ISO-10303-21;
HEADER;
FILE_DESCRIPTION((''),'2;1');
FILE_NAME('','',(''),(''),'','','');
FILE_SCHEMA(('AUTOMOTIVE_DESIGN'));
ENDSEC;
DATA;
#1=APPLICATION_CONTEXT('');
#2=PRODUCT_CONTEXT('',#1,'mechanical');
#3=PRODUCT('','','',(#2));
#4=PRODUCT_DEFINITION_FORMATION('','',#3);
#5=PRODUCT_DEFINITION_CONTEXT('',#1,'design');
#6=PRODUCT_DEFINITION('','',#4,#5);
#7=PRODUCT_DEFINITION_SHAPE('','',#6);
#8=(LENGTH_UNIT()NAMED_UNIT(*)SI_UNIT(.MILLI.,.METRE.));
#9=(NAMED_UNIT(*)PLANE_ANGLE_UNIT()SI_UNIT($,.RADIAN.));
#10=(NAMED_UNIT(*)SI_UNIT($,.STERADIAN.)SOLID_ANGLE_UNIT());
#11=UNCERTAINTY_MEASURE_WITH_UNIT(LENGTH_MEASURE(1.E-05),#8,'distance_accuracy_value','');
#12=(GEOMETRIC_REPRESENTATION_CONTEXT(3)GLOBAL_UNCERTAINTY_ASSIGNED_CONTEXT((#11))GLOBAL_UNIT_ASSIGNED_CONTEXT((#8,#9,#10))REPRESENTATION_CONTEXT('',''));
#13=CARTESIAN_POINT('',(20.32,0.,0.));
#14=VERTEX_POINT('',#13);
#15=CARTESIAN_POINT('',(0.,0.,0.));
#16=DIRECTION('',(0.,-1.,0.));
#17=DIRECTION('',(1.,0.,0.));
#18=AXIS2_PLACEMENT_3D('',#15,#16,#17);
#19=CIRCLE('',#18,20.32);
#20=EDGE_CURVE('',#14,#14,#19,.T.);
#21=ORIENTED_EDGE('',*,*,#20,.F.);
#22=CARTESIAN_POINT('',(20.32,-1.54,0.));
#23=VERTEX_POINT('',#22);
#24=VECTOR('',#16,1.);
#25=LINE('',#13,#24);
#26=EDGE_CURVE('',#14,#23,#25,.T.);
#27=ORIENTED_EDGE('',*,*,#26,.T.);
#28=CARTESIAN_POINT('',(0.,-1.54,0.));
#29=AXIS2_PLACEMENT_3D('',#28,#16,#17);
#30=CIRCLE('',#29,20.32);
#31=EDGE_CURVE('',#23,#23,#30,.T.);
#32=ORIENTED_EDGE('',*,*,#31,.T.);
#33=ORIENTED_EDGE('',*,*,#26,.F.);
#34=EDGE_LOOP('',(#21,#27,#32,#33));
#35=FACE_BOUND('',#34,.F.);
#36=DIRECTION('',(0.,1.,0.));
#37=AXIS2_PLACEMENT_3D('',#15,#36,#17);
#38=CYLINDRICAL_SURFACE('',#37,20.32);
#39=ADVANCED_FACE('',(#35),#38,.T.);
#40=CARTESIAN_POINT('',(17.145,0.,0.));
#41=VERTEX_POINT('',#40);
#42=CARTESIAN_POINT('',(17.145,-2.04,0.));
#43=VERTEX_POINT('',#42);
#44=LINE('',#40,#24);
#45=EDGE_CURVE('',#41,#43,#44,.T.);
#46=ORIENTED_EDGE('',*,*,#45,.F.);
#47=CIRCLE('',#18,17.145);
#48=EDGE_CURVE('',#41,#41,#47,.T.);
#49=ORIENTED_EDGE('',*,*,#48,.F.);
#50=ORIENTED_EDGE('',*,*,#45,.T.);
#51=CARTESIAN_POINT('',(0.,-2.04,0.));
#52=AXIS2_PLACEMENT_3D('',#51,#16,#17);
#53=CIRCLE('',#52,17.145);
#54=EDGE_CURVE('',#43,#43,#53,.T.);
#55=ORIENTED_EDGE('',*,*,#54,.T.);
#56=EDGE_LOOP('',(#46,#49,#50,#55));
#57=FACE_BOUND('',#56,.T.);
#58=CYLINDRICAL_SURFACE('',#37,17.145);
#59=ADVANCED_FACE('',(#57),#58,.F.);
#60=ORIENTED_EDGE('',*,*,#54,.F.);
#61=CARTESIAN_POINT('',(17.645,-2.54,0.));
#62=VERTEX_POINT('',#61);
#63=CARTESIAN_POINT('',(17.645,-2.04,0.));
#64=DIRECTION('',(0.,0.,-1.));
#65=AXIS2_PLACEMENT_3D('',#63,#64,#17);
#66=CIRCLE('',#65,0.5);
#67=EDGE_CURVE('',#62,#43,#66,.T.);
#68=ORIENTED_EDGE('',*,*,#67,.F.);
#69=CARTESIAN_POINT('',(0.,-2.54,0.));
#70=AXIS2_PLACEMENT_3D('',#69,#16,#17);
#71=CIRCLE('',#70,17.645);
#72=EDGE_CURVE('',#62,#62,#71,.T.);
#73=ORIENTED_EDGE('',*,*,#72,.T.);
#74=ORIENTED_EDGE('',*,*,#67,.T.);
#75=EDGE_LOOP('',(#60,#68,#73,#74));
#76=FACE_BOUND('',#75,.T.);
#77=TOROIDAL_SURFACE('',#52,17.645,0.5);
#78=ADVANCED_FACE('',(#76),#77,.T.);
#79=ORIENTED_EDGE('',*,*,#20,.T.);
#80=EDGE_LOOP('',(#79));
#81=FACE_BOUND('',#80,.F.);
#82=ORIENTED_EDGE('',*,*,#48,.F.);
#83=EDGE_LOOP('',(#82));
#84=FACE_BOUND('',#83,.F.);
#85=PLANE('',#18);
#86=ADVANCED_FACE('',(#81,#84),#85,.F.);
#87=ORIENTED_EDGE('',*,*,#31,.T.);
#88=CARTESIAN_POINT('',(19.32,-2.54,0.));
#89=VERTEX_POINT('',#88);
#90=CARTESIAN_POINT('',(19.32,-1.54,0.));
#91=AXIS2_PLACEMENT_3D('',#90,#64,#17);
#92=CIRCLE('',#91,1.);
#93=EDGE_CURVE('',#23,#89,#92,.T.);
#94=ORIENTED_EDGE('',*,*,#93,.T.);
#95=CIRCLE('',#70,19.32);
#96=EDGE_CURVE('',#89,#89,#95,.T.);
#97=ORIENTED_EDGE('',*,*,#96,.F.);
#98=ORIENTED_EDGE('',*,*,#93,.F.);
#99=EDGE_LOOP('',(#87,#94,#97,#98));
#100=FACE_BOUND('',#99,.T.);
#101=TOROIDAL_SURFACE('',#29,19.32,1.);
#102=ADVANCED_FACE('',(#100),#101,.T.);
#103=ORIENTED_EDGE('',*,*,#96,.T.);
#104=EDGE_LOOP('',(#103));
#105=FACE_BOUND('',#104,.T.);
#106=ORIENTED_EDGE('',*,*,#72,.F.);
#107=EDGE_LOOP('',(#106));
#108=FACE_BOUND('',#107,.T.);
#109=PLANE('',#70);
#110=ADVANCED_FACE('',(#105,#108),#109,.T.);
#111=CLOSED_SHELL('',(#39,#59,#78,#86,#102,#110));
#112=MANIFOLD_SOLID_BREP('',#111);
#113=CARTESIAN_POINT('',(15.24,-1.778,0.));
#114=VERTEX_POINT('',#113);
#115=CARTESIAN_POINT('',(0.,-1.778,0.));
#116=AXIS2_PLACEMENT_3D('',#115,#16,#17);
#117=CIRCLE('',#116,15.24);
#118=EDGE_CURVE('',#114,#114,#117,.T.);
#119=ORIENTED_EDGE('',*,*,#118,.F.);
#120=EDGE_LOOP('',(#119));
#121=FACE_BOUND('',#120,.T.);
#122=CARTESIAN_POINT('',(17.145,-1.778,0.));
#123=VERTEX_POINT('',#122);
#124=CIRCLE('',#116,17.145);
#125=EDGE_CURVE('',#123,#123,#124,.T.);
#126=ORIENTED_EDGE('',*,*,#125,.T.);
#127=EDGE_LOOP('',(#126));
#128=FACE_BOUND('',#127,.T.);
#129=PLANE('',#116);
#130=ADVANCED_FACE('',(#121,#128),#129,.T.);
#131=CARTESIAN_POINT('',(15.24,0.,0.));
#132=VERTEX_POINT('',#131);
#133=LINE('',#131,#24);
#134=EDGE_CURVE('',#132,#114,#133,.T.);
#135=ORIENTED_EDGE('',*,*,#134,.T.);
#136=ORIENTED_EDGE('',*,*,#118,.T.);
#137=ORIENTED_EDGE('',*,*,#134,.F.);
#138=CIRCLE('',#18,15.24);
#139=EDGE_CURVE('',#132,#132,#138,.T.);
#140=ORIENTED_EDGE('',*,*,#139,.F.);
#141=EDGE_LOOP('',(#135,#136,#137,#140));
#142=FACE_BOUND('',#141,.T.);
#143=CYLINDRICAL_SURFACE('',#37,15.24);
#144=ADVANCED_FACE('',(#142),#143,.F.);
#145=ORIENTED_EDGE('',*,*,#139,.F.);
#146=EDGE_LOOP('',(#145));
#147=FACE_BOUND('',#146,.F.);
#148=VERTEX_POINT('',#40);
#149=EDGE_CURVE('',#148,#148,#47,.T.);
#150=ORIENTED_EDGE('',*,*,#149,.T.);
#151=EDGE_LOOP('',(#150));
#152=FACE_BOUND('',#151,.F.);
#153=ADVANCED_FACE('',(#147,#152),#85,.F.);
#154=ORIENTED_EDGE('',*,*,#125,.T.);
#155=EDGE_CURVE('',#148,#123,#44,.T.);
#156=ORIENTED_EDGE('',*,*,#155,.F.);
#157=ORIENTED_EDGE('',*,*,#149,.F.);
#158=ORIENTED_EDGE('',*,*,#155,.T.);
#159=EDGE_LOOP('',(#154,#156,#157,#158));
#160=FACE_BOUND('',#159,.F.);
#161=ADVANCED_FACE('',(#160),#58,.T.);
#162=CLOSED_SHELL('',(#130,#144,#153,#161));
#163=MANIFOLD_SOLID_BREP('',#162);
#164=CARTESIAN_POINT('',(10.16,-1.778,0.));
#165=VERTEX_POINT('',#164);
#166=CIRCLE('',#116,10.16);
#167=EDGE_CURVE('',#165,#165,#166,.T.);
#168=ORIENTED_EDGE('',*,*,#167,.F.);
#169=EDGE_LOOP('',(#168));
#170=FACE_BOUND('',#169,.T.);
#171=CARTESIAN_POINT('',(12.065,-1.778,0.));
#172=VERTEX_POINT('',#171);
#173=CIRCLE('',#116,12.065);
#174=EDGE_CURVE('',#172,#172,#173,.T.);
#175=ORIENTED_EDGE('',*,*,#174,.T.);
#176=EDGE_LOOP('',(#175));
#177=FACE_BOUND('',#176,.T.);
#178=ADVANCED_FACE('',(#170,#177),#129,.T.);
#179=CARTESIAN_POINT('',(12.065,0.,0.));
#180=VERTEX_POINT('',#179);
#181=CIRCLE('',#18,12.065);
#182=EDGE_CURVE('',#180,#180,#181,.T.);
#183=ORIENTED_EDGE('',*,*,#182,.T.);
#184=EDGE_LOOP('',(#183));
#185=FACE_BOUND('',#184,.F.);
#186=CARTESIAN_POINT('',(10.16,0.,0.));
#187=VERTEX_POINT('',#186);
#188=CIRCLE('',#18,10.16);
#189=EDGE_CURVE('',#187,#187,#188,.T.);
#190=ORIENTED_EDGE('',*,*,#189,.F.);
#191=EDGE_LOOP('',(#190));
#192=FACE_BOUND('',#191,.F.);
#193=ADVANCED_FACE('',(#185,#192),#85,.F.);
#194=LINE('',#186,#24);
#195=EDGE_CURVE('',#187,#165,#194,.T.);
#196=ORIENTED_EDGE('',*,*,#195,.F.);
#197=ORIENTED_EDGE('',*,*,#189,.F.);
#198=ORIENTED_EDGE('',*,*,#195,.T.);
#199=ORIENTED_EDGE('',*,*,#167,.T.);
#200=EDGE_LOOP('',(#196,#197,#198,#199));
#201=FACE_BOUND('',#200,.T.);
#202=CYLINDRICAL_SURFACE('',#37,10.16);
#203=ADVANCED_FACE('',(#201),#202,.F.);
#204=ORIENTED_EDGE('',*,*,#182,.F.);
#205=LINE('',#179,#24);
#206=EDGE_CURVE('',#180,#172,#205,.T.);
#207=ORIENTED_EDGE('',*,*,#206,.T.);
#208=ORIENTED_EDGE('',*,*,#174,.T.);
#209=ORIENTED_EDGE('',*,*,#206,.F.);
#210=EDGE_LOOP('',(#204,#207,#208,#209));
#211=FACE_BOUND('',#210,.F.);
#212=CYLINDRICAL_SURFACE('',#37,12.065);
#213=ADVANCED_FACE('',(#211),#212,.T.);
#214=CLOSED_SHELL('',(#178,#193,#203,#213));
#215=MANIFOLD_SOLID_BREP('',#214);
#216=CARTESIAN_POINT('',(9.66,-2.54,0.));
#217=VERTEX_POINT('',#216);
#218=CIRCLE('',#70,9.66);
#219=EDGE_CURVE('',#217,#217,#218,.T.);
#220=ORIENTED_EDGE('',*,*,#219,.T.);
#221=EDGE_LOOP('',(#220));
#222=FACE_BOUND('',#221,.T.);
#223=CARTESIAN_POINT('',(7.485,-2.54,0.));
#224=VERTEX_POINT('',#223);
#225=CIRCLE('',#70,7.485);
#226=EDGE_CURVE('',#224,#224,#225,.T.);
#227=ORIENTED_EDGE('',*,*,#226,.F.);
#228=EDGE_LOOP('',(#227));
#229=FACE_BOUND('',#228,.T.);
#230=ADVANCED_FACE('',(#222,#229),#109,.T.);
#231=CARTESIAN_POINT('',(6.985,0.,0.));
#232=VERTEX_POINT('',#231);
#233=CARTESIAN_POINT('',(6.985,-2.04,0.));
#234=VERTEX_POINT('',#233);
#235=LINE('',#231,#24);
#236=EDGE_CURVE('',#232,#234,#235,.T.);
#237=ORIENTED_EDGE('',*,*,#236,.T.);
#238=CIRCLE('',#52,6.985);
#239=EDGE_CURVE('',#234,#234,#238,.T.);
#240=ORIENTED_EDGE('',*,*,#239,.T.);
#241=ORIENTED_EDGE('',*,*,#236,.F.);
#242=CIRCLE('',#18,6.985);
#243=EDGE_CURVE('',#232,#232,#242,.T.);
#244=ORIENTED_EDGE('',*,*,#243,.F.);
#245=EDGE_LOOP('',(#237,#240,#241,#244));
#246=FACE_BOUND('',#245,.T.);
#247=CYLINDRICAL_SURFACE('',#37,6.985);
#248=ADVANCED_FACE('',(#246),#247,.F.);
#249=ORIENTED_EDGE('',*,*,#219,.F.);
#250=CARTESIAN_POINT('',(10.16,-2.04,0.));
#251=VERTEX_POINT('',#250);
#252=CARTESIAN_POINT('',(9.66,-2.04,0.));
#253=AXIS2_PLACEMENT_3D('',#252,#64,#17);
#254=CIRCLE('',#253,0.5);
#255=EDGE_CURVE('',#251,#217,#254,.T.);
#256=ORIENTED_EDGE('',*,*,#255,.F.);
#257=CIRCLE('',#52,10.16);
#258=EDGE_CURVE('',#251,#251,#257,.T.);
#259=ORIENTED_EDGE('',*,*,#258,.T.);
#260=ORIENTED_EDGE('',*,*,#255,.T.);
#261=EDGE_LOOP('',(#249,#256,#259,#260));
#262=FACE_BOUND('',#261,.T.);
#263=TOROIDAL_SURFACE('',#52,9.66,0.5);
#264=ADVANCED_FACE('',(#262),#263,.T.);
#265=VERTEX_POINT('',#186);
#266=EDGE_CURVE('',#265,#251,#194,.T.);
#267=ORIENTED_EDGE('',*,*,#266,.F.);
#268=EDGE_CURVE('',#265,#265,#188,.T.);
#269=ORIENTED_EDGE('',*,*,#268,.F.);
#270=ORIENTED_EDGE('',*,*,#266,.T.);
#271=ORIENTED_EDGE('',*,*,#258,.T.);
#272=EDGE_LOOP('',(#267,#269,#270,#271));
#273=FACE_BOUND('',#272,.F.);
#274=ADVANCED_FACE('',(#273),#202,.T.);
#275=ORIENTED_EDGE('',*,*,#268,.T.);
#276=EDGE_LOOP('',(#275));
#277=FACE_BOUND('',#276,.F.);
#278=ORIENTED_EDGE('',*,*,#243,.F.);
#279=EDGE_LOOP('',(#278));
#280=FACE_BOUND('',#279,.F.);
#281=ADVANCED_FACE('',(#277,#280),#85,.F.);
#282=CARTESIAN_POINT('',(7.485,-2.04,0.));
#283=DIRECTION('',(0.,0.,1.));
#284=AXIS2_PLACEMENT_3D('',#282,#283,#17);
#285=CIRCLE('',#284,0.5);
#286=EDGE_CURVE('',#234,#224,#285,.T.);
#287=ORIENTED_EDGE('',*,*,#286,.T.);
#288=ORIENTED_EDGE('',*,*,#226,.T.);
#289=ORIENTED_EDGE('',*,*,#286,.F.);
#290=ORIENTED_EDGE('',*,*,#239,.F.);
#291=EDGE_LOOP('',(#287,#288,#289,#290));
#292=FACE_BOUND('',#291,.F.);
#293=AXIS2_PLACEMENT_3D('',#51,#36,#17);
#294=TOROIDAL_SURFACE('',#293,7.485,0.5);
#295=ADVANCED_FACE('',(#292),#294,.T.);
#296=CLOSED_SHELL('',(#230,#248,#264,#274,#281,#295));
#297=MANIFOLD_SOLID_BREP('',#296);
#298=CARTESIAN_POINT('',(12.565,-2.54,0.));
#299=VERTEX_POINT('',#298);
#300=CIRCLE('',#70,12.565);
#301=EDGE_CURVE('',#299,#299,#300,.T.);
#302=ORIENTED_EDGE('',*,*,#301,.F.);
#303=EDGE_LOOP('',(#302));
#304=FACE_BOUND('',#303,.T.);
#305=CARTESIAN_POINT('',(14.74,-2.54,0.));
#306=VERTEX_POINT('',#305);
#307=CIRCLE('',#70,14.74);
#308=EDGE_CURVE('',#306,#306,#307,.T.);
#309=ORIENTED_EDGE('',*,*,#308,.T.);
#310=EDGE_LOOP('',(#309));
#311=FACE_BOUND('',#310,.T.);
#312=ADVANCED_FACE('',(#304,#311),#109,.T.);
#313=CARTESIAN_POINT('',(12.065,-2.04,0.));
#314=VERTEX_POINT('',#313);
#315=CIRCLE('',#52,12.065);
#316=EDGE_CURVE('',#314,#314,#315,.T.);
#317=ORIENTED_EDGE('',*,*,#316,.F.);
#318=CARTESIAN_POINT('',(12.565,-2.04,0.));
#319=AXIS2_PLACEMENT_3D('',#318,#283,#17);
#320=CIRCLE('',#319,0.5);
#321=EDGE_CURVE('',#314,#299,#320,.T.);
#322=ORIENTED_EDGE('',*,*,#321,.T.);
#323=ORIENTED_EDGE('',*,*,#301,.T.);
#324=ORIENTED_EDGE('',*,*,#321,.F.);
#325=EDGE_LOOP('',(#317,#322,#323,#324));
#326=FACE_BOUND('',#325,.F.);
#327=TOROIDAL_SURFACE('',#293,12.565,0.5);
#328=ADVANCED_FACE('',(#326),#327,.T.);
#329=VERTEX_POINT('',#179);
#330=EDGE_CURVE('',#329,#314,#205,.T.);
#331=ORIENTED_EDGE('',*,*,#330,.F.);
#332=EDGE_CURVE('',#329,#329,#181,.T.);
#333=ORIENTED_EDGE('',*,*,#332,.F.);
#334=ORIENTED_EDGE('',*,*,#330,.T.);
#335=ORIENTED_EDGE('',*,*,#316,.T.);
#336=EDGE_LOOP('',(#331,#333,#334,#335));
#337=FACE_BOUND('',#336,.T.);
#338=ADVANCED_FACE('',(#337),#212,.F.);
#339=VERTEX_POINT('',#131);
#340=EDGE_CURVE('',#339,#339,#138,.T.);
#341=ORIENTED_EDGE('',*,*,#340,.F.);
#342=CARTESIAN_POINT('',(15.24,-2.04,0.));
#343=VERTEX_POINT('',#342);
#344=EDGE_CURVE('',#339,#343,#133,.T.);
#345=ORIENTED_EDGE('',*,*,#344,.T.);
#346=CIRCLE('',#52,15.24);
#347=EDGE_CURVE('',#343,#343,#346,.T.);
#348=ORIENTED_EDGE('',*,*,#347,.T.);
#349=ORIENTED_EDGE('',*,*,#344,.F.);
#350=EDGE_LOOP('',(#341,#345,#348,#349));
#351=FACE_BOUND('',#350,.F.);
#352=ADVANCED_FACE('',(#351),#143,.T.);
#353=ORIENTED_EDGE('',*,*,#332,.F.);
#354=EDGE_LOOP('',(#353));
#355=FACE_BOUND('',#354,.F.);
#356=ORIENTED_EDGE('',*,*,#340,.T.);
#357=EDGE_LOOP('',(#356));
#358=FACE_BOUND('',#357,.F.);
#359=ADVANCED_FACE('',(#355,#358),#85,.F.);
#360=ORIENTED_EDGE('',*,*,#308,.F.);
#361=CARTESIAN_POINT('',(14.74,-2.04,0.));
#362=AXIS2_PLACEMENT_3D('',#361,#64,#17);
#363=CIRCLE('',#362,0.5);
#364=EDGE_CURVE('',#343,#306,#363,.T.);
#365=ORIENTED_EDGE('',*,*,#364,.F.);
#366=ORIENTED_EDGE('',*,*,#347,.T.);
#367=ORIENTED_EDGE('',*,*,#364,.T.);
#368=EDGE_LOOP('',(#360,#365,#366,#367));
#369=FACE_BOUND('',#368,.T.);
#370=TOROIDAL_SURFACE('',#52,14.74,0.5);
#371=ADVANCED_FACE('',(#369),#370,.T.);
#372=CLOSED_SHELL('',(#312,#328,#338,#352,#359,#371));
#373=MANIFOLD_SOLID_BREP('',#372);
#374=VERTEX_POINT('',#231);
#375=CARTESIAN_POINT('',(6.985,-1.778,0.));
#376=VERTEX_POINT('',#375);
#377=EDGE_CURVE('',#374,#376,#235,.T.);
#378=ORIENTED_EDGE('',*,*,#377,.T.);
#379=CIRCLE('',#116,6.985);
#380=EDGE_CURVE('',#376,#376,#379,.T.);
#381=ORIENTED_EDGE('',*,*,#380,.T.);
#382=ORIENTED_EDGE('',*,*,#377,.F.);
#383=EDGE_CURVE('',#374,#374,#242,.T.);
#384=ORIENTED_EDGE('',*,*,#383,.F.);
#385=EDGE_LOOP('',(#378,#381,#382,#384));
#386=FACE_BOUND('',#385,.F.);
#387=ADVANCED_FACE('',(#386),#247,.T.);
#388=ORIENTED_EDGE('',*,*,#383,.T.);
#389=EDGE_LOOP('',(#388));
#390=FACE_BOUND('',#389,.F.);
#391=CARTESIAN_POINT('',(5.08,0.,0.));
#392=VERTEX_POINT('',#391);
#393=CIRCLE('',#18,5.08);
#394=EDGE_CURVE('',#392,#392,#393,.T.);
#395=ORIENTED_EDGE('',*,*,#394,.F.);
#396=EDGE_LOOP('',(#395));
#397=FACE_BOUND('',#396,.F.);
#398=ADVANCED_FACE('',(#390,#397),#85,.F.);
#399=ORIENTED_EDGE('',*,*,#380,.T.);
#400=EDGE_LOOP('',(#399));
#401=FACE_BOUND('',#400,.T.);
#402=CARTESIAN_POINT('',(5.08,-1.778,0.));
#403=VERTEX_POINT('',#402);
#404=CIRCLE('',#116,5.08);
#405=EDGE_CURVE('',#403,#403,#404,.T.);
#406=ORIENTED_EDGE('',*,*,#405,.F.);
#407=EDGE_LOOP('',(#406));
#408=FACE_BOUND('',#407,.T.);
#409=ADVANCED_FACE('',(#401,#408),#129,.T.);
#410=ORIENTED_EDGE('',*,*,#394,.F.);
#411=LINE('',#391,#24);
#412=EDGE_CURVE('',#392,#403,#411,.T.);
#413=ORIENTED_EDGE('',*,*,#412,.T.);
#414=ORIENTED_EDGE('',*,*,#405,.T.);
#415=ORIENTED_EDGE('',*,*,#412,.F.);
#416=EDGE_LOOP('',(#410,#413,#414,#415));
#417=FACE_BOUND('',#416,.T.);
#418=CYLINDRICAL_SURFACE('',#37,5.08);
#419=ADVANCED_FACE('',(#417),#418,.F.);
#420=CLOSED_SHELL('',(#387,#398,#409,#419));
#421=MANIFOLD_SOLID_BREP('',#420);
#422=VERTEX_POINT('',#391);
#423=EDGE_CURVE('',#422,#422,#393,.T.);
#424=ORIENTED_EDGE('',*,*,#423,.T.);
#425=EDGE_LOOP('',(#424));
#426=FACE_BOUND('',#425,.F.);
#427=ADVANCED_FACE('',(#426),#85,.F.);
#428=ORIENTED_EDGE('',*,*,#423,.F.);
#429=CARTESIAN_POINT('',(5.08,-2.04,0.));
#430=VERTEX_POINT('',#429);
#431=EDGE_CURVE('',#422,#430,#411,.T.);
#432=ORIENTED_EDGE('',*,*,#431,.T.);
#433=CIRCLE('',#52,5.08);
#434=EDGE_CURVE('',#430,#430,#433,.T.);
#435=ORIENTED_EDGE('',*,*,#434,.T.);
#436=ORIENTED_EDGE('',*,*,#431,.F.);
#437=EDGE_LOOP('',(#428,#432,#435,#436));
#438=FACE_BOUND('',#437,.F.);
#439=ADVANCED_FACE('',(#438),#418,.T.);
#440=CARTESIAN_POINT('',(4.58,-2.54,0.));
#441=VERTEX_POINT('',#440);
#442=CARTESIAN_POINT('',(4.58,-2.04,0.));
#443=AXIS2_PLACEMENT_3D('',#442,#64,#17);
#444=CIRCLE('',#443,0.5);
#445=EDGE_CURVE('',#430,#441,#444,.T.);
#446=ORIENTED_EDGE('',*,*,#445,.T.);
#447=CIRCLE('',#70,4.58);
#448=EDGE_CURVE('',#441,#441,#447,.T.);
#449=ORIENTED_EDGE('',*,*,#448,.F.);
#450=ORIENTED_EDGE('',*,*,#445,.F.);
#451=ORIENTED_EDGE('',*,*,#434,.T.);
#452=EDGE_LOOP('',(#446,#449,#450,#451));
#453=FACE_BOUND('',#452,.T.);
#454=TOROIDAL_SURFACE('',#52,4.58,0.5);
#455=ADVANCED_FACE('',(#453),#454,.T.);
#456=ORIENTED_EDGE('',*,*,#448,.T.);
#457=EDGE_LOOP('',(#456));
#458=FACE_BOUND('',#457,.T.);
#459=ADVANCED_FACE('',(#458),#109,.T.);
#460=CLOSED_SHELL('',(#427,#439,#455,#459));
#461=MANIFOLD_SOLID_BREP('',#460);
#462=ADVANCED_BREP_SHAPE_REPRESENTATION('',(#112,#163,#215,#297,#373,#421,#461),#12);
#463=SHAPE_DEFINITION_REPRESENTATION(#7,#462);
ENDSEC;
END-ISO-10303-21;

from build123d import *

# Parameters (mm, degrees)
F0_R     = 20.32
F0_R_2   = 17.145
F0_R_3   = 15.24
F0_R_4   = 12.065
F0_R_5   = 10.16
F0_R_6   = 6.985
F0_R_7   = 5.08
F1_DEPTH = 2.54
F2_DEPTH = 1.778
F3_R     = 1
F4_R     = 0.5


with BuildPart() as f1:
    # F0 (on Front) → F1 (new body)
    with BuildSketch(Plane.XZ):
        Circle(F0_R)
        Circle(F0_R_2, mode=Mode.SUBTRACT)
        Circle(F0_R_3)
        Circle(F0_R_4, mode=Mode.SUBTRACT)
        Circle(F0_R_5)
        Circle(F0_R_6, mode=Mode.SUBTRACT)
        Circle(F0_R_7)
    extrude(amount=F1_DEPTH)

    # F3
    f3_edges = [f1.edges().sort_by_distance(p)[0] for p in [
        (-20.32, -2.54, 0),
    ]]
    fillet(f3_edges, radius=F3_R)

    # F4
    f4_edges = [f1.edges().sort_by_distance(p)[0] for p in [
        (-5.08, -2.54, 0),
        (-6.985, -2.54, 0),
        (-10.16, -2.54, 0),
        (-12.065, -2.54, 0),
        (-15.24, -2.54, 0),
        (-17.145, -2.54, 0),
    ]]
    fillet(f4_edges, radius=F4_R)


with BuildPart() as f2:
    # F0 (on Front) → F2 (new body)
    with BuildSketch(Plane.XZ):
        Circle(F0_R_2)
        Circle(F0_R_3, mode=Mode.SUBTRACT)
        Circle(F0_R_4)
        Circle(F0_R_5, mode=Mode.SUBTRACT)
        Circle(F0_R_6)
        Circle(F0_R_7, mode=Mode.SUBTRACT)
    extrude(amount=F2_DEPTH)


solid = Compound([f1.part, f2.part])
